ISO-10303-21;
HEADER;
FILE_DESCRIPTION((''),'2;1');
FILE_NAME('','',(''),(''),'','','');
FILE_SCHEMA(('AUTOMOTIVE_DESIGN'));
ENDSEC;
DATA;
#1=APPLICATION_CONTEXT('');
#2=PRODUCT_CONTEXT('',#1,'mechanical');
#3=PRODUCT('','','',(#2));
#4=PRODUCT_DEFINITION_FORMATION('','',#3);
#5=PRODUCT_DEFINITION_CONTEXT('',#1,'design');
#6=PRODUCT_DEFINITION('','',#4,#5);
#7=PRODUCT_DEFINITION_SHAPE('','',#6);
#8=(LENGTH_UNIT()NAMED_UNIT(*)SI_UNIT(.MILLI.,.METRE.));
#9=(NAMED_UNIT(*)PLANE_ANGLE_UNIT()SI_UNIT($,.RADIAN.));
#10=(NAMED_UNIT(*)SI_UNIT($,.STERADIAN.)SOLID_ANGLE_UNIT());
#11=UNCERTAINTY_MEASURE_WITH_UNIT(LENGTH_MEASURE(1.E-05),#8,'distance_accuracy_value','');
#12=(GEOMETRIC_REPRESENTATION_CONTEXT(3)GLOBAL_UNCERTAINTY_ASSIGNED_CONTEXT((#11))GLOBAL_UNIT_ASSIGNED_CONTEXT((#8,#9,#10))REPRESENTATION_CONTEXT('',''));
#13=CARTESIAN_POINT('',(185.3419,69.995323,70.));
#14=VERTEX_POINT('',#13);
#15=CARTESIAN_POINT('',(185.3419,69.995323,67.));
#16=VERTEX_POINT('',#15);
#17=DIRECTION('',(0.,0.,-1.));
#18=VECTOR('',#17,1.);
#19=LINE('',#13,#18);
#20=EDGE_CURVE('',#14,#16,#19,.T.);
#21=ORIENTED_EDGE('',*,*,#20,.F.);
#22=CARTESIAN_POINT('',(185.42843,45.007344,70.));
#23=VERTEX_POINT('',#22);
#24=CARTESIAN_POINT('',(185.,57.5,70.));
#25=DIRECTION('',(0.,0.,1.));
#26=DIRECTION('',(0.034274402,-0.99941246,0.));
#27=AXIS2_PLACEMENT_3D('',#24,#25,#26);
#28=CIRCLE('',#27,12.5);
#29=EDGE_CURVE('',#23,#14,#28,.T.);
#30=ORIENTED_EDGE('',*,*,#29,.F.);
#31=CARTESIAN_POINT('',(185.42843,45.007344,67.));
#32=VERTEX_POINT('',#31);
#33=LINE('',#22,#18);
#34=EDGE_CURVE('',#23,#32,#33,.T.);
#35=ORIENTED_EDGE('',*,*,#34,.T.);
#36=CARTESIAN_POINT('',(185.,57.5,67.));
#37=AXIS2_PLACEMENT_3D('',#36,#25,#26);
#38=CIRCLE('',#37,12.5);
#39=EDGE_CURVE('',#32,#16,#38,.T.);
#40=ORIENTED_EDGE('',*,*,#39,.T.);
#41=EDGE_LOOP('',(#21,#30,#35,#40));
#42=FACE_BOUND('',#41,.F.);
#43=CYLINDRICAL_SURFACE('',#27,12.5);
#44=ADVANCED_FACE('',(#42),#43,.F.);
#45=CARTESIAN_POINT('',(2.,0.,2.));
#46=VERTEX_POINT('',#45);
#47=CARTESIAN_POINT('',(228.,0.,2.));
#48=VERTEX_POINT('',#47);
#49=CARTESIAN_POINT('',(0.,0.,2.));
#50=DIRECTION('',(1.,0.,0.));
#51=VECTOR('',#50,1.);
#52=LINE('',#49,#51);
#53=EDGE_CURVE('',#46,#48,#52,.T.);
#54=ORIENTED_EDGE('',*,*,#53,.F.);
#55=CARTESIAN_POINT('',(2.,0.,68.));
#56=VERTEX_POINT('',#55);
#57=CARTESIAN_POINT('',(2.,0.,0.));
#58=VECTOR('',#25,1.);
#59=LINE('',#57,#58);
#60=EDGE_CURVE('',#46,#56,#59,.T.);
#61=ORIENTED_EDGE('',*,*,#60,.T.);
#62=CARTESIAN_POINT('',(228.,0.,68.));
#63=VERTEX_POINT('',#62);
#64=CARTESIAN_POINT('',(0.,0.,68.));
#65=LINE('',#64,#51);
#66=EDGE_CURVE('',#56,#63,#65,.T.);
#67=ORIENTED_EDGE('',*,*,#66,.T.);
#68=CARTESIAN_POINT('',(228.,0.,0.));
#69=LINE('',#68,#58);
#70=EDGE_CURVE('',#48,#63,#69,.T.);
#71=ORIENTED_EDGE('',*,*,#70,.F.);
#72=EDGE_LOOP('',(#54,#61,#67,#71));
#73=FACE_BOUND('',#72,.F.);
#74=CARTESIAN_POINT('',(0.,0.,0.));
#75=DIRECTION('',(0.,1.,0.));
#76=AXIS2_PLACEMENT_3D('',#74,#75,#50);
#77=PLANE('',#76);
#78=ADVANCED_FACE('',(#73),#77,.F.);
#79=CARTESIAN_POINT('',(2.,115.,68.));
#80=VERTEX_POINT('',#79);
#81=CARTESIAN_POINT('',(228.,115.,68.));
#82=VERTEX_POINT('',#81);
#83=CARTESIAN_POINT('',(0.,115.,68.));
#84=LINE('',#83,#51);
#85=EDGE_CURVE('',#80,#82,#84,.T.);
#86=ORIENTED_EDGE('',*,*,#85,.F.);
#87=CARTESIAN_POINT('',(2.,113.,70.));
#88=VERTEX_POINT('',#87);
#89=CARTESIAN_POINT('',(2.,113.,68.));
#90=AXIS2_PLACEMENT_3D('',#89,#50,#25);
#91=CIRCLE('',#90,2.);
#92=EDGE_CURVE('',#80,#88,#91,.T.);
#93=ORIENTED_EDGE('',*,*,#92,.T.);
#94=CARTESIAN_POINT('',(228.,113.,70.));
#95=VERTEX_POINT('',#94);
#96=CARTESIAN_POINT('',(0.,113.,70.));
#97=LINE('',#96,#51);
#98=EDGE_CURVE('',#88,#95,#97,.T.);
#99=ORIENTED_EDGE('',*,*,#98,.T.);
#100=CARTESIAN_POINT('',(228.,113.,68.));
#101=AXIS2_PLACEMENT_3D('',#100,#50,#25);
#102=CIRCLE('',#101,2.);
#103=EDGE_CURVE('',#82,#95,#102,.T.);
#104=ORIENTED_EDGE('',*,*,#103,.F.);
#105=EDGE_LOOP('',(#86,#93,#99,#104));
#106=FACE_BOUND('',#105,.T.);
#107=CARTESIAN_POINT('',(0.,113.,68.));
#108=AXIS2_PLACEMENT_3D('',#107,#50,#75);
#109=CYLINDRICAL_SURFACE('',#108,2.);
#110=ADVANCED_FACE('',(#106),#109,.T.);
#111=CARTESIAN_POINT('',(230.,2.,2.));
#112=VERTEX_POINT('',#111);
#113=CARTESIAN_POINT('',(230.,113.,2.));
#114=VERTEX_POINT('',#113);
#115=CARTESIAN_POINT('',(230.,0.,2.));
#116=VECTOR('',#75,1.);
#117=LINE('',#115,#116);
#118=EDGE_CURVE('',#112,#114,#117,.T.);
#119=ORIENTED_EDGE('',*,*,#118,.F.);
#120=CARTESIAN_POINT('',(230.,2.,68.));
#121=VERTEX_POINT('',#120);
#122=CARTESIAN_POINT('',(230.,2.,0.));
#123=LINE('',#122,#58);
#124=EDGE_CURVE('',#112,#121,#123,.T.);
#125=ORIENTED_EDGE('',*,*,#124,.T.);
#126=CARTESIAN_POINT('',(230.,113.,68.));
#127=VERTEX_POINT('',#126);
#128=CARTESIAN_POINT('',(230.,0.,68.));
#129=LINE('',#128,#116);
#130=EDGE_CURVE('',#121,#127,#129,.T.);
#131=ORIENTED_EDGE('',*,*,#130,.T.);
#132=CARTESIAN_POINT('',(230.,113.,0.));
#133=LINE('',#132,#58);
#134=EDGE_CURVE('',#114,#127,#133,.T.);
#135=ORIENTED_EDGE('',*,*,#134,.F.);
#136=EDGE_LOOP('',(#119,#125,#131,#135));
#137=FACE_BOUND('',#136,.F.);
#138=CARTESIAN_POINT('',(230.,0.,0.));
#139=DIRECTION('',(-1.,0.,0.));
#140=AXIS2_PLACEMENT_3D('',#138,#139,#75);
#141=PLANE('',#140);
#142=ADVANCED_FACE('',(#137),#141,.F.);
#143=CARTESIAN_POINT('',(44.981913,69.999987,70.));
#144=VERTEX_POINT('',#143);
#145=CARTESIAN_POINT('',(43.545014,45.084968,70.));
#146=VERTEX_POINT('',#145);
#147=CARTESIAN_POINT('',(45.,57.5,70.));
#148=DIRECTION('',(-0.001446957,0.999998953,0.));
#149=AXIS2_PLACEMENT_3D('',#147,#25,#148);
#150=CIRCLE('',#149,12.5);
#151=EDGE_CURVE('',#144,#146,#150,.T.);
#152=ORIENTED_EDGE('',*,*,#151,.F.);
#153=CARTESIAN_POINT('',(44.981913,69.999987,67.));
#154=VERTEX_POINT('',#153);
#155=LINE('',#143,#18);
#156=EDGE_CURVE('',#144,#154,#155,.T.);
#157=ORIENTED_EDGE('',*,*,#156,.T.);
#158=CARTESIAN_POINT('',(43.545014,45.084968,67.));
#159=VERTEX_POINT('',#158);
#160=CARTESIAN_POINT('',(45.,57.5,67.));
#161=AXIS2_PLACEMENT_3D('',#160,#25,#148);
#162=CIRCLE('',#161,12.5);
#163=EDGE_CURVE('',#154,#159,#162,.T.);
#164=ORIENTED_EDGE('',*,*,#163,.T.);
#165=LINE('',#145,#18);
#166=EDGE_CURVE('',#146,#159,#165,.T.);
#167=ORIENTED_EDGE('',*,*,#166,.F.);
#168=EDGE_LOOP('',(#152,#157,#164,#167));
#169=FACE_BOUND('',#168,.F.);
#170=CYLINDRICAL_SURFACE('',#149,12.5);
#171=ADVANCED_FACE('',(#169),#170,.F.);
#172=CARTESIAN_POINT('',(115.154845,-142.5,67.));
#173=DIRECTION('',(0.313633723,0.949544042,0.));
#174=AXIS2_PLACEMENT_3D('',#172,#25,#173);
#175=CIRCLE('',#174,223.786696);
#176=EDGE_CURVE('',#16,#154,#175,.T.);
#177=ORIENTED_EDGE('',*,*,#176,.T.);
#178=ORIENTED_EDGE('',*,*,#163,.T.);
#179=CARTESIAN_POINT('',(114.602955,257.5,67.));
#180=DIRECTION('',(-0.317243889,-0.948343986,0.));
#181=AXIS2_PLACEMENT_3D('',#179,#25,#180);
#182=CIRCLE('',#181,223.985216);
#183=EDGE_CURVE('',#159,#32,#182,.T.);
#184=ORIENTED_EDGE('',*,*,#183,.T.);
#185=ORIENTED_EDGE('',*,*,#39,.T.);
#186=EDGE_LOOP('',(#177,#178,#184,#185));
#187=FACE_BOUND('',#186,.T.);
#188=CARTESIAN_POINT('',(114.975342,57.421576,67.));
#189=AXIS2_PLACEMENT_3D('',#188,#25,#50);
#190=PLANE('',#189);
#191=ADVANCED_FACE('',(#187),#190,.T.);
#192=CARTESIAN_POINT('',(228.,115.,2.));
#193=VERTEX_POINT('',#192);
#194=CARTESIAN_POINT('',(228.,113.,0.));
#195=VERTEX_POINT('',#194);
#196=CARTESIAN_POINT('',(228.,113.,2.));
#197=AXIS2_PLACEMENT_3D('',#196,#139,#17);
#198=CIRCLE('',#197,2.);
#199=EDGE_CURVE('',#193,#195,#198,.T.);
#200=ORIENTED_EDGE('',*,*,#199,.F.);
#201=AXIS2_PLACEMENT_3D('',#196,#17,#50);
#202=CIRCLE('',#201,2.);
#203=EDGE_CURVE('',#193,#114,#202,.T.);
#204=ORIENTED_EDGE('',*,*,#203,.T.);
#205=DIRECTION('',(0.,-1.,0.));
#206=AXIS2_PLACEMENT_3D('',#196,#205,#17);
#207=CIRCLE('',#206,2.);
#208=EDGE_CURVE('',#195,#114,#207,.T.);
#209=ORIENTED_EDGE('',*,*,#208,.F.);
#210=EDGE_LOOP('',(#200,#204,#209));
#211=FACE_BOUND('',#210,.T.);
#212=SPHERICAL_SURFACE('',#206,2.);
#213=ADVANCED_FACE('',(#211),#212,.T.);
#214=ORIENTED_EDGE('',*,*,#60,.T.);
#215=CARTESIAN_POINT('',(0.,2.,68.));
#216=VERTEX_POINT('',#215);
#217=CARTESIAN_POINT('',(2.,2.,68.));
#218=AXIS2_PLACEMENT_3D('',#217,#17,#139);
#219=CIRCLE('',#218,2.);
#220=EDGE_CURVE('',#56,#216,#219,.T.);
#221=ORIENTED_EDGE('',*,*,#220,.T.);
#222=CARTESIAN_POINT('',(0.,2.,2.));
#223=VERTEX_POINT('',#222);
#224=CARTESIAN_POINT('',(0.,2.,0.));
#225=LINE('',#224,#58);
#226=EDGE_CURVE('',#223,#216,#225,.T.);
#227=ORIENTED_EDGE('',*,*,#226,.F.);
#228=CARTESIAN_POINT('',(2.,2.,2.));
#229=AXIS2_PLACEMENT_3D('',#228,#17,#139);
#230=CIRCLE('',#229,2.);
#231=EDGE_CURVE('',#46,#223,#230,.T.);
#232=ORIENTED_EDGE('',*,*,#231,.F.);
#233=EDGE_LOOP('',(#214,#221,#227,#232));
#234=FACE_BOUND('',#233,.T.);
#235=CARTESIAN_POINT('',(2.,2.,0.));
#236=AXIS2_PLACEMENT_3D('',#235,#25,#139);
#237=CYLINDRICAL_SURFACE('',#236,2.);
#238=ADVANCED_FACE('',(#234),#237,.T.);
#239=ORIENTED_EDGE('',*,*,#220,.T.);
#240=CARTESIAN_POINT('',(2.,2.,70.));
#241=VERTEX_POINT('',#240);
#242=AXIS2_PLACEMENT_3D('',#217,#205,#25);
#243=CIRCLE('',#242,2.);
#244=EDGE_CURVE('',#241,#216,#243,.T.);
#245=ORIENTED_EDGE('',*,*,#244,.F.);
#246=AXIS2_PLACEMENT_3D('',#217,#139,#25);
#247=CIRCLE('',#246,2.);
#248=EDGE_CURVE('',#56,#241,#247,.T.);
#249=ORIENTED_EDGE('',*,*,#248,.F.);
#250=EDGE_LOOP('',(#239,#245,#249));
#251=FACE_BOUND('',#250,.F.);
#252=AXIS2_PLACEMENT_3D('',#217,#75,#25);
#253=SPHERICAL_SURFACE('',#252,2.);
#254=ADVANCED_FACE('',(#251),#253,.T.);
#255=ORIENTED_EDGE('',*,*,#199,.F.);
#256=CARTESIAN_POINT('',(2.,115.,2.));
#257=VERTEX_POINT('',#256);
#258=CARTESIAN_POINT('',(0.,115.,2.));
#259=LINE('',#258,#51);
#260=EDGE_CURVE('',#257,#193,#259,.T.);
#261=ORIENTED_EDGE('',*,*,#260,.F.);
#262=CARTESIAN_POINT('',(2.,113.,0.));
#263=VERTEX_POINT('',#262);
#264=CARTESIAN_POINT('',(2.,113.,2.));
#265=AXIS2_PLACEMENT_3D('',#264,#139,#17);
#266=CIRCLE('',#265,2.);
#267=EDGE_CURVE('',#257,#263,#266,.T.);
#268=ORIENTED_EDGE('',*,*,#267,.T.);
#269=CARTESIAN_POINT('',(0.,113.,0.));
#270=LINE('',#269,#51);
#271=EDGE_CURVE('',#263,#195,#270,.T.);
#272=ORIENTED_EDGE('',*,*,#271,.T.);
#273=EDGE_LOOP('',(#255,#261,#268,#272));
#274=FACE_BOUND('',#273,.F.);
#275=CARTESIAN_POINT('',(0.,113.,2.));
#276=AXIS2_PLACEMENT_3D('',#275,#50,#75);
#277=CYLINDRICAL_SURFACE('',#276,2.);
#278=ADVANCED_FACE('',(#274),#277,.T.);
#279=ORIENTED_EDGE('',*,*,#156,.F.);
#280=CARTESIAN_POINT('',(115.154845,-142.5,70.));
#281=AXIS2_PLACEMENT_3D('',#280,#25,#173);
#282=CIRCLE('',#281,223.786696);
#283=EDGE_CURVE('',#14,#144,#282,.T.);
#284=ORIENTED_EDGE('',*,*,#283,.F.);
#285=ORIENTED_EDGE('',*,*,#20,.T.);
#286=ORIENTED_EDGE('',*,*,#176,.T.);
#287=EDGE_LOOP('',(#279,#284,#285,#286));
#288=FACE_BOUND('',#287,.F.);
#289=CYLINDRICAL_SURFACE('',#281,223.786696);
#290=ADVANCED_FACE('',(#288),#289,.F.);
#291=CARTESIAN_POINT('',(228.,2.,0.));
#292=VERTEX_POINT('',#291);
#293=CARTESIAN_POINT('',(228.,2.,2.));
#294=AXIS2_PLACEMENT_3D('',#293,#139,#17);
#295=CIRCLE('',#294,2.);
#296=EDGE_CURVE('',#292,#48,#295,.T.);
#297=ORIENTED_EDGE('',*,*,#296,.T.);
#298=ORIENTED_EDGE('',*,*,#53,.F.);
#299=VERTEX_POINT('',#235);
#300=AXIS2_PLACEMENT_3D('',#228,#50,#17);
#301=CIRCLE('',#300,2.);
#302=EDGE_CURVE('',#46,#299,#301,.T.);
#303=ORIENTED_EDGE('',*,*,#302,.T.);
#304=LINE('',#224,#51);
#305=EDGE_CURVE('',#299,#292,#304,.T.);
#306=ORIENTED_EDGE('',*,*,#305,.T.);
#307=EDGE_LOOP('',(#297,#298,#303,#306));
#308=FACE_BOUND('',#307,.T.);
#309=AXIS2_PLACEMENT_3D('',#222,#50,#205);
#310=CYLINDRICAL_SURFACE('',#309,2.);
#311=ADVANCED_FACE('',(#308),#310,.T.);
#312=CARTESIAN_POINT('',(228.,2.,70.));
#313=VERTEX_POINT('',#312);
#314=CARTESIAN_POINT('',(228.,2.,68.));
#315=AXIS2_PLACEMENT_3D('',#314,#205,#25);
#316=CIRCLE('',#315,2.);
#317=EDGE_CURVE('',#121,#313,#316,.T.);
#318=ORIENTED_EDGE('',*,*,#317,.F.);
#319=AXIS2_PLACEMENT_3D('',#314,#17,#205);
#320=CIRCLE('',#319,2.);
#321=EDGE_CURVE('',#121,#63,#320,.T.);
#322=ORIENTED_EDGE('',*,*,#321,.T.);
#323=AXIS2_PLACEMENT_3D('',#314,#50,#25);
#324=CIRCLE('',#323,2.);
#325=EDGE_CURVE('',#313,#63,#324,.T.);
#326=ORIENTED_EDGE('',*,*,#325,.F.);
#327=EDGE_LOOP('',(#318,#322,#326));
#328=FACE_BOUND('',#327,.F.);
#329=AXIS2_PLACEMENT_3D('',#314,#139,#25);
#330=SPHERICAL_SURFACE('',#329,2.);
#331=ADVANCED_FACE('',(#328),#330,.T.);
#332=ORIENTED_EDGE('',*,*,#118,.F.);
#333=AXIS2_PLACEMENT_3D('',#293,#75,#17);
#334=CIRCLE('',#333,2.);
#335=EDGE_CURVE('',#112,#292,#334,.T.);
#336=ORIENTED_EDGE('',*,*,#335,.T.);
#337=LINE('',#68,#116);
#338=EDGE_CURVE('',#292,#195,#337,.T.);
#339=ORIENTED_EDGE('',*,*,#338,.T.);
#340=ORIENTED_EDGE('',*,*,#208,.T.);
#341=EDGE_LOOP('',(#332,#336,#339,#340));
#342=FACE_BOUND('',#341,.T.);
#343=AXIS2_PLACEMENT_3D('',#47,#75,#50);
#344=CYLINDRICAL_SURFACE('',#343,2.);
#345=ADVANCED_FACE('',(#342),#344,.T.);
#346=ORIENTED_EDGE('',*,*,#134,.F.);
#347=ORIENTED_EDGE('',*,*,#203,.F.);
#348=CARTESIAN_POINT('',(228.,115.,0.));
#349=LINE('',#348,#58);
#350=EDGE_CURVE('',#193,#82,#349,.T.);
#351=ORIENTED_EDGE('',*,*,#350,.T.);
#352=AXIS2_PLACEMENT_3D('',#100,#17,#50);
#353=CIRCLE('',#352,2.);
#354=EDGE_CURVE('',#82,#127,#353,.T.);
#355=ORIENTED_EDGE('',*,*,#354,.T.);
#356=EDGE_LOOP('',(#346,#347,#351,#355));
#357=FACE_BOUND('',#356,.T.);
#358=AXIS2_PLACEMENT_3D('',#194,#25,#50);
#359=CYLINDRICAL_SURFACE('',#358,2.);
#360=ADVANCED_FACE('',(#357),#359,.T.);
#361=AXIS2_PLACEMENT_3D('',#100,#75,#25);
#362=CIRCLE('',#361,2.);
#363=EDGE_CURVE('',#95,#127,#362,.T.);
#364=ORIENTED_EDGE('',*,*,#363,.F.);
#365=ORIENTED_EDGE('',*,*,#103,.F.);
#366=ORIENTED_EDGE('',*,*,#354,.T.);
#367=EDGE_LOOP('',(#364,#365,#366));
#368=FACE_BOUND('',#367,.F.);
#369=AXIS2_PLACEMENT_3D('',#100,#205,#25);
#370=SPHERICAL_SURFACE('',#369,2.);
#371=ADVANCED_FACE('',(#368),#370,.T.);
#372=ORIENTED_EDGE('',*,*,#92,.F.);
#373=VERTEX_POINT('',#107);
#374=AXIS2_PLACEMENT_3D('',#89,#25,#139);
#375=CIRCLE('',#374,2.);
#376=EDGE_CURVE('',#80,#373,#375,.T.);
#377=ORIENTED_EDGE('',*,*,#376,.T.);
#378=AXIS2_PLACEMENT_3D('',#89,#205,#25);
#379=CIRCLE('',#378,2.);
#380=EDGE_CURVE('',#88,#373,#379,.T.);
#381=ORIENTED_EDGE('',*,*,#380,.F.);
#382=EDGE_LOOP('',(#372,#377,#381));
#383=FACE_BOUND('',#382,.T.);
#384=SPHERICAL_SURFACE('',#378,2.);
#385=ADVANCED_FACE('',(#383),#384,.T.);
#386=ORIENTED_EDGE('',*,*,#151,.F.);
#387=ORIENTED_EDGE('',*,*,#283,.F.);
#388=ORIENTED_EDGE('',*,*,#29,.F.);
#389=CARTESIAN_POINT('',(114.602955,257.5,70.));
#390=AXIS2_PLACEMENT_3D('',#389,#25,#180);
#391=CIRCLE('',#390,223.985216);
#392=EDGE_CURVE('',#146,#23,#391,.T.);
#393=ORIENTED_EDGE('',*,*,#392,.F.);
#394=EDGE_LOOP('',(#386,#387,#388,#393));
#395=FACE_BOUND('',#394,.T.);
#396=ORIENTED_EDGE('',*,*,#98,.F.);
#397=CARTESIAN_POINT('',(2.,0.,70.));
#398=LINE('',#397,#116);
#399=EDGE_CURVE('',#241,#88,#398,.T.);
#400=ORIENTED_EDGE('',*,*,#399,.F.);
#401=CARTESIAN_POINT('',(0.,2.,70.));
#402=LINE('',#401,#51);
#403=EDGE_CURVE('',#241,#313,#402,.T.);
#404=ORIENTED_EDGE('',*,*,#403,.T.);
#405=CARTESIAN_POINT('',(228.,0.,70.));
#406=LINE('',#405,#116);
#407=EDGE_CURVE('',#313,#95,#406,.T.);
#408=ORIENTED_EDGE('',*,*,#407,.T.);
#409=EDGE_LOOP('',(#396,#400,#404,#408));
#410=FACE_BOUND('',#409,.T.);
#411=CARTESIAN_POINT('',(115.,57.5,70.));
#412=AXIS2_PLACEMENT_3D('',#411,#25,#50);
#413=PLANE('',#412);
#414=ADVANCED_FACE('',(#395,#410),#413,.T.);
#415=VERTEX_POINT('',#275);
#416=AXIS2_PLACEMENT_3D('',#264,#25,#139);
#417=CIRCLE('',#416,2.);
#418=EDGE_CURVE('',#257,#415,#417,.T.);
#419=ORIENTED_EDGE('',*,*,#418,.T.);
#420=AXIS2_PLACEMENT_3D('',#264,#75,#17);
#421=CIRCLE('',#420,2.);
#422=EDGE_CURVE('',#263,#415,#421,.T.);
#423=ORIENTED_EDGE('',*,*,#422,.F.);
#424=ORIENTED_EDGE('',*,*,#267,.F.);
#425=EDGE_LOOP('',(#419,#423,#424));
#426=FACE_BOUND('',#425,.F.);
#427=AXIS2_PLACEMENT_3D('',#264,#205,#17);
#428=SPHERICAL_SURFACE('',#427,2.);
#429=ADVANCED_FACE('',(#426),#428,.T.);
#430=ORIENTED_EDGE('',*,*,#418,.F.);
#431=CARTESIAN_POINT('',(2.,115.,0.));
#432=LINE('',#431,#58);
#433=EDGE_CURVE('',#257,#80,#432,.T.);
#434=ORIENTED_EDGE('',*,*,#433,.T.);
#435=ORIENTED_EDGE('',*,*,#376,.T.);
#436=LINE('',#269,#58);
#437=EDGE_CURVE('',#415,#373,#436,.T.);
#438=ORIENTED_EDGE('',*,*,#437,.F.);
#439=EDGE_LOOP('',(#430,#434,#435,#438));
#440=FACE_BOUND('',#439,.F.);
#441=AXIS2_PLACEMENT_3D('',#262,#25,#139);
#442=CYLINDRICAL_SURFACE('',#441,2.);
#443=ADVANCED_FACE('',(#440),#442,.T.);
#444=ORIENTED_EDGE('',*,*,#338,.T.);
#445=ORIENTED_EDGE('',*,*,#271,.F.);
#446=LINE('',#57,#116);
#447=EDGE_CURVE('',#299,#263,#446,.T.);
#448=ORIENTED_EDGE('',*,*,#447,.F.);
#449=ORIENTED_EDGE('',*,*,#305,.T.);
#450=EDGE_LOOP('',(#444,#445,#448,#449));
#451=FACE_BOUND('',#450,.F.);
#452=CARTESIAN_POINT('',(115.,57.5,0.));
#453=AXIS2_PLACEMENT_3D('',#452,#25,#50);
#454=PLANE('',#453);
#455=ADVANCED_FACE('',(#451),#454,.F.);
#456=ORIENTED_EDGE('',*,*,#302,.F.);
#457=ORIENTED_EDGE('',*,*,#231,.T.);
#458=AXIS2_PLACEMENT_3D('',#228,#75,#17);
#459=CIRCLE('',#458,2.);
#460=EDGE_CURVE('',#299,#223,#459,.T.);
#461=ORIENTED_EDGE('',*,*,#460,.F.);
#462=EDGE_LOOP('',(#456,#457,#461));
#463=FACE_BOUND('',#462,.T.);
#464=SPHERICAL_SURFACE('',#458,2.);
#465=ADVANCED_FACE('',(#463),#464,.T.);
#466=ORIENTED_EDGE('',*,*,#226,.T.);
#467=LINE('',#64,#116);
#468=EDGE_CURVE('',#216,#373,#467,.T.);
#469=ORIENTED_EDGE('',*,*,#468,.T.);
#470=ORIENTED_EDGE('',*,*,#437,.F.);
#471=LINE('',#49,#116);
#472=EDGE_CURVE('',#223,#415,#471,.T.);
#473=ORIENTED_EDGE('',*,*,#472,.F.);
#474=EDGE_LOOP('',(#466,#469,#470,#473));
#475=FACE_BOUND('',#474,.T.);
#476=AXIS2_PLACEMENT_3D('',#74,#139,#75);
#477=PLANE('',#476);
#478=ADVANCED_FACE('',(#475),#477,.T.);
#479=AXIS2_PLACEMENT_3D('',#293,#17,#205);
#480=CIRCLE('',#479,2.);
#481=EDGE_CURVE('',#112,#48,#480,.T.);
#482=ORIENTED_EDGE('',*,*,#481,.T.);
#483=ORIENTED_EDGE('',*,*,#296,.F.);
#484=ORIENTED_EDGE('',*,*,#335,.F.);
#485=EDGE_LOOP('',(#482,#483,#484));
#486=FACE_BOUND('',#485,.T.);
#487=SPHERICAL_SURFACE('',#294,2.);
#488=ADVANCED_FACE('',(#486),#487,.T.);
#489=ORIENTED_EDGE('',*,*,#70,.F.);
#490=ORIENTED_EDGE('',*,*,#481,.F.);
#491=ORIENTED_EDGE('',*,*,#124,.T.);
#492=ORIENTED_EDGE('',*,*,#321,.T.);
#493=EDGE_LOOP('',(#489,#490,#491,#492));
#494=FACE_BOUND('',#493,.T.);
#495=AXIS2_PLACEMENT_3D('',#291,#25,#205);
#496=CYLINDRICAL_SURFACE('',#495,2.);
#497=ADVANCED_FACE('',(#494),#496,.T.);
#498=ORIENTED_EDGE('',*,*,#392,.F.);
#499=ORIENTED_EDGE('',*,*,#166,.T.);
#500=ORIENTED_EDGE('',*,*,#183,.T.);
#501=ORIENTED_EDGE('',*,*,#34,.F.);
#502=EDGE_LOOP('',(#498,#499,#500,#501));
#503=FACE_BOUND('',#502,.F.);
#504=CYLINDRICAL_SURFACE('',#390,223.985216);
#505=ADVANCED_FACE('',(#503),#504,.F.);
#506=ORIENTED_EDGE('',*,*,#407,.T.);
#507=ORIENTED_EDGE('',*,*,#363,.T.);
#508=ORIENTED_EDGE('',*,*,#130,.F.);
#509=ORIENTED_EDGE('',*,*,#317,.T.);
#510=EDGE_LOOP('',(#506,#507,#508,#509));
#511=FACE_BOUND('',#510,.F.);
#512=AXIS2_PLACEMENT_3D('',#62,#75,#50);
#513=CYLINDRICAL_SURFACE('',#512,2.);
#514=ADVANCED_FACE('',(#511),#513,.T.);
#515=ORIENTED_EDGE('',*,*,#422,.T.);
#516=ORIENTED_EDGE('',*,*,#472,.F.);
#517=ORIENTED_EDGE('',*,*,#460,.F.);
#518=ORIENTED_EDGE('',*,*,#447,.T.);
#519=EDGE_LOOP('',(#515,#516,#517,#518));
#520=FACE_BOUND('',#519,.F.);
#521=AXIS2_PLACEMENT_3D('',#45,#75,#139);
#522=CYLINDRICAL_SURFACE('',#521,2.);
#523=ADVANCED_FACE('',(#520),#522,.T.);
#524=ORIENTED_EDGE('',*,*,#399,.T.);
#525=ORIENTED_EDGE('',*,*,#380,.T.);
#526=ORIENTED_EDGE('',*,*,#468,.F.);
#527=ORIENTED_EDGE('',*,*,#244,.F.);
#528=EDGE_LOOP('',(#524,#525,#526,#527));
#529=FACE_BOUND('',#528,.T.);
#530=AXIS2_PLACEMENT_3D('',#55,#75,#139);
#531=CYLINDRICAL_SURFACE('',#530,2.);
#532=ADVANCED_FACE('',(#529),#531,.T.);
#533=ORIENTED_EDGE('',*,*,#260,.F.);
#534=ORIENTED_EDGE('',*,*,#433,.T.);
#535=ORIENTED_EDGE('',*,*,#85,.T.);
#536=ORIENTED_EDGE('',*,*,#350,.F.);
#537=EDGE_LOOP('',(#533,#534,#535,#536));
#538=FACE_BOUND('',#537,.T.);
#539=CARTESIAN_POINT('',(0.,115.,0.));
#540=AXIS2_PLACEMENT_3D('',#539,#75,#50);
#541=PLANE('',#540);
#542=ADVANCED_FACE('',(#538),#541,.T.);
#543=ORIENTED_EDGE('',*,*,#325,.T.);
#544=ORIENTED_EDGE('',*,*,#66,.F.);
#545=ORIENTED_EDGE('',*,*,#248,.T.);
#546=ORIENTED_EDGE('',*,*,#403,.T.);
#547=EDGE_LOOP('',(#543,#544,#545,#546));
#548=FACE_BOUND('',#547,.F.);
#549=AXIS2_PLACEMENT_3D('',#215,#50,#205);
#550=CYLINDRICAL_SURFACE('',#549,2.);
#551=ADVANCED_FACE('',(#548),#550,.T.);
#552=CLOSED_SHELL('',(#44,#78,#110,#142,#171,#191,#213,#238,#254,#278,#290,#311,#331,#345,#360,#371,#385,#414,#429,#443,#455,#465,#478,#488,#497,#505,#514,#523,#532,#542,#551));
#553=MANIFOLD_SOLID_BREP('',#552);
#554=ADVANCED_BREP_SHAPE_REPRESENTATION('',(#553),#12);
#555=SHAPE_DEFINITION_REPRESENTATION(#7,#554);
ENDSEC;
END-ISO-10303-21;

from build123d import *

# Parameters (mm, degrees)
F0_W     = 230
F0_H     = 115
F1_DEPTH = 70
F2_R     = 2
F4_DEPTH = 3


with BuildPart() as f1:
    # F0 (on Top) → F1 (new body)
    with BuildSketch(Plane.XY):
        with Locations((115, 57.5)):
            Rectangle(F0_W, F0_H)
    extrude(amount=F1_DEPTH)

    # F2
    f2_edges = [f1.edges().sort_by_distance(p)[0] for p in [
        (0, 57.5, 70),
        (115, 0, 70),
        (230, 57.5, 70),
        (115, 115, 70),
        (0, 57.5, 0),
        (115, 0, 0),
        (230, 57.5, 0),
        (115, 115, 0),
        (230, 0, 35),
        (230, 115, 35),
        (0, 115, 35),
        (0, 0, 35),
    ]]
    fillet(f2_edges, radius=F2_R)

    # F3 (on face) → F4 (cut)
    with BuildSketch(Plane.XY.offset(70)):
        with BuildLine():
            ThreePointArc((185.3419, 69.995323), (115.162282, 81.286695), (44.981913, 69.999987))
            ThreePointArc((44.981913, 69.999987), (32.520736, 58.219704), (43.545014, 45.084968))
            ThreePointArc((43.545014, 45.084968), (114.480414, 33.514818), (185.42843, 45.007344))
            ThreePointArc((185.42843, 45.007344), (197.499925, 57.543286), (185.3419, 69.995323))
        make_face()
    extrude(amount=-F4_DEPTH, mode=Mode.SUBTRACT)


solid = f1.part
